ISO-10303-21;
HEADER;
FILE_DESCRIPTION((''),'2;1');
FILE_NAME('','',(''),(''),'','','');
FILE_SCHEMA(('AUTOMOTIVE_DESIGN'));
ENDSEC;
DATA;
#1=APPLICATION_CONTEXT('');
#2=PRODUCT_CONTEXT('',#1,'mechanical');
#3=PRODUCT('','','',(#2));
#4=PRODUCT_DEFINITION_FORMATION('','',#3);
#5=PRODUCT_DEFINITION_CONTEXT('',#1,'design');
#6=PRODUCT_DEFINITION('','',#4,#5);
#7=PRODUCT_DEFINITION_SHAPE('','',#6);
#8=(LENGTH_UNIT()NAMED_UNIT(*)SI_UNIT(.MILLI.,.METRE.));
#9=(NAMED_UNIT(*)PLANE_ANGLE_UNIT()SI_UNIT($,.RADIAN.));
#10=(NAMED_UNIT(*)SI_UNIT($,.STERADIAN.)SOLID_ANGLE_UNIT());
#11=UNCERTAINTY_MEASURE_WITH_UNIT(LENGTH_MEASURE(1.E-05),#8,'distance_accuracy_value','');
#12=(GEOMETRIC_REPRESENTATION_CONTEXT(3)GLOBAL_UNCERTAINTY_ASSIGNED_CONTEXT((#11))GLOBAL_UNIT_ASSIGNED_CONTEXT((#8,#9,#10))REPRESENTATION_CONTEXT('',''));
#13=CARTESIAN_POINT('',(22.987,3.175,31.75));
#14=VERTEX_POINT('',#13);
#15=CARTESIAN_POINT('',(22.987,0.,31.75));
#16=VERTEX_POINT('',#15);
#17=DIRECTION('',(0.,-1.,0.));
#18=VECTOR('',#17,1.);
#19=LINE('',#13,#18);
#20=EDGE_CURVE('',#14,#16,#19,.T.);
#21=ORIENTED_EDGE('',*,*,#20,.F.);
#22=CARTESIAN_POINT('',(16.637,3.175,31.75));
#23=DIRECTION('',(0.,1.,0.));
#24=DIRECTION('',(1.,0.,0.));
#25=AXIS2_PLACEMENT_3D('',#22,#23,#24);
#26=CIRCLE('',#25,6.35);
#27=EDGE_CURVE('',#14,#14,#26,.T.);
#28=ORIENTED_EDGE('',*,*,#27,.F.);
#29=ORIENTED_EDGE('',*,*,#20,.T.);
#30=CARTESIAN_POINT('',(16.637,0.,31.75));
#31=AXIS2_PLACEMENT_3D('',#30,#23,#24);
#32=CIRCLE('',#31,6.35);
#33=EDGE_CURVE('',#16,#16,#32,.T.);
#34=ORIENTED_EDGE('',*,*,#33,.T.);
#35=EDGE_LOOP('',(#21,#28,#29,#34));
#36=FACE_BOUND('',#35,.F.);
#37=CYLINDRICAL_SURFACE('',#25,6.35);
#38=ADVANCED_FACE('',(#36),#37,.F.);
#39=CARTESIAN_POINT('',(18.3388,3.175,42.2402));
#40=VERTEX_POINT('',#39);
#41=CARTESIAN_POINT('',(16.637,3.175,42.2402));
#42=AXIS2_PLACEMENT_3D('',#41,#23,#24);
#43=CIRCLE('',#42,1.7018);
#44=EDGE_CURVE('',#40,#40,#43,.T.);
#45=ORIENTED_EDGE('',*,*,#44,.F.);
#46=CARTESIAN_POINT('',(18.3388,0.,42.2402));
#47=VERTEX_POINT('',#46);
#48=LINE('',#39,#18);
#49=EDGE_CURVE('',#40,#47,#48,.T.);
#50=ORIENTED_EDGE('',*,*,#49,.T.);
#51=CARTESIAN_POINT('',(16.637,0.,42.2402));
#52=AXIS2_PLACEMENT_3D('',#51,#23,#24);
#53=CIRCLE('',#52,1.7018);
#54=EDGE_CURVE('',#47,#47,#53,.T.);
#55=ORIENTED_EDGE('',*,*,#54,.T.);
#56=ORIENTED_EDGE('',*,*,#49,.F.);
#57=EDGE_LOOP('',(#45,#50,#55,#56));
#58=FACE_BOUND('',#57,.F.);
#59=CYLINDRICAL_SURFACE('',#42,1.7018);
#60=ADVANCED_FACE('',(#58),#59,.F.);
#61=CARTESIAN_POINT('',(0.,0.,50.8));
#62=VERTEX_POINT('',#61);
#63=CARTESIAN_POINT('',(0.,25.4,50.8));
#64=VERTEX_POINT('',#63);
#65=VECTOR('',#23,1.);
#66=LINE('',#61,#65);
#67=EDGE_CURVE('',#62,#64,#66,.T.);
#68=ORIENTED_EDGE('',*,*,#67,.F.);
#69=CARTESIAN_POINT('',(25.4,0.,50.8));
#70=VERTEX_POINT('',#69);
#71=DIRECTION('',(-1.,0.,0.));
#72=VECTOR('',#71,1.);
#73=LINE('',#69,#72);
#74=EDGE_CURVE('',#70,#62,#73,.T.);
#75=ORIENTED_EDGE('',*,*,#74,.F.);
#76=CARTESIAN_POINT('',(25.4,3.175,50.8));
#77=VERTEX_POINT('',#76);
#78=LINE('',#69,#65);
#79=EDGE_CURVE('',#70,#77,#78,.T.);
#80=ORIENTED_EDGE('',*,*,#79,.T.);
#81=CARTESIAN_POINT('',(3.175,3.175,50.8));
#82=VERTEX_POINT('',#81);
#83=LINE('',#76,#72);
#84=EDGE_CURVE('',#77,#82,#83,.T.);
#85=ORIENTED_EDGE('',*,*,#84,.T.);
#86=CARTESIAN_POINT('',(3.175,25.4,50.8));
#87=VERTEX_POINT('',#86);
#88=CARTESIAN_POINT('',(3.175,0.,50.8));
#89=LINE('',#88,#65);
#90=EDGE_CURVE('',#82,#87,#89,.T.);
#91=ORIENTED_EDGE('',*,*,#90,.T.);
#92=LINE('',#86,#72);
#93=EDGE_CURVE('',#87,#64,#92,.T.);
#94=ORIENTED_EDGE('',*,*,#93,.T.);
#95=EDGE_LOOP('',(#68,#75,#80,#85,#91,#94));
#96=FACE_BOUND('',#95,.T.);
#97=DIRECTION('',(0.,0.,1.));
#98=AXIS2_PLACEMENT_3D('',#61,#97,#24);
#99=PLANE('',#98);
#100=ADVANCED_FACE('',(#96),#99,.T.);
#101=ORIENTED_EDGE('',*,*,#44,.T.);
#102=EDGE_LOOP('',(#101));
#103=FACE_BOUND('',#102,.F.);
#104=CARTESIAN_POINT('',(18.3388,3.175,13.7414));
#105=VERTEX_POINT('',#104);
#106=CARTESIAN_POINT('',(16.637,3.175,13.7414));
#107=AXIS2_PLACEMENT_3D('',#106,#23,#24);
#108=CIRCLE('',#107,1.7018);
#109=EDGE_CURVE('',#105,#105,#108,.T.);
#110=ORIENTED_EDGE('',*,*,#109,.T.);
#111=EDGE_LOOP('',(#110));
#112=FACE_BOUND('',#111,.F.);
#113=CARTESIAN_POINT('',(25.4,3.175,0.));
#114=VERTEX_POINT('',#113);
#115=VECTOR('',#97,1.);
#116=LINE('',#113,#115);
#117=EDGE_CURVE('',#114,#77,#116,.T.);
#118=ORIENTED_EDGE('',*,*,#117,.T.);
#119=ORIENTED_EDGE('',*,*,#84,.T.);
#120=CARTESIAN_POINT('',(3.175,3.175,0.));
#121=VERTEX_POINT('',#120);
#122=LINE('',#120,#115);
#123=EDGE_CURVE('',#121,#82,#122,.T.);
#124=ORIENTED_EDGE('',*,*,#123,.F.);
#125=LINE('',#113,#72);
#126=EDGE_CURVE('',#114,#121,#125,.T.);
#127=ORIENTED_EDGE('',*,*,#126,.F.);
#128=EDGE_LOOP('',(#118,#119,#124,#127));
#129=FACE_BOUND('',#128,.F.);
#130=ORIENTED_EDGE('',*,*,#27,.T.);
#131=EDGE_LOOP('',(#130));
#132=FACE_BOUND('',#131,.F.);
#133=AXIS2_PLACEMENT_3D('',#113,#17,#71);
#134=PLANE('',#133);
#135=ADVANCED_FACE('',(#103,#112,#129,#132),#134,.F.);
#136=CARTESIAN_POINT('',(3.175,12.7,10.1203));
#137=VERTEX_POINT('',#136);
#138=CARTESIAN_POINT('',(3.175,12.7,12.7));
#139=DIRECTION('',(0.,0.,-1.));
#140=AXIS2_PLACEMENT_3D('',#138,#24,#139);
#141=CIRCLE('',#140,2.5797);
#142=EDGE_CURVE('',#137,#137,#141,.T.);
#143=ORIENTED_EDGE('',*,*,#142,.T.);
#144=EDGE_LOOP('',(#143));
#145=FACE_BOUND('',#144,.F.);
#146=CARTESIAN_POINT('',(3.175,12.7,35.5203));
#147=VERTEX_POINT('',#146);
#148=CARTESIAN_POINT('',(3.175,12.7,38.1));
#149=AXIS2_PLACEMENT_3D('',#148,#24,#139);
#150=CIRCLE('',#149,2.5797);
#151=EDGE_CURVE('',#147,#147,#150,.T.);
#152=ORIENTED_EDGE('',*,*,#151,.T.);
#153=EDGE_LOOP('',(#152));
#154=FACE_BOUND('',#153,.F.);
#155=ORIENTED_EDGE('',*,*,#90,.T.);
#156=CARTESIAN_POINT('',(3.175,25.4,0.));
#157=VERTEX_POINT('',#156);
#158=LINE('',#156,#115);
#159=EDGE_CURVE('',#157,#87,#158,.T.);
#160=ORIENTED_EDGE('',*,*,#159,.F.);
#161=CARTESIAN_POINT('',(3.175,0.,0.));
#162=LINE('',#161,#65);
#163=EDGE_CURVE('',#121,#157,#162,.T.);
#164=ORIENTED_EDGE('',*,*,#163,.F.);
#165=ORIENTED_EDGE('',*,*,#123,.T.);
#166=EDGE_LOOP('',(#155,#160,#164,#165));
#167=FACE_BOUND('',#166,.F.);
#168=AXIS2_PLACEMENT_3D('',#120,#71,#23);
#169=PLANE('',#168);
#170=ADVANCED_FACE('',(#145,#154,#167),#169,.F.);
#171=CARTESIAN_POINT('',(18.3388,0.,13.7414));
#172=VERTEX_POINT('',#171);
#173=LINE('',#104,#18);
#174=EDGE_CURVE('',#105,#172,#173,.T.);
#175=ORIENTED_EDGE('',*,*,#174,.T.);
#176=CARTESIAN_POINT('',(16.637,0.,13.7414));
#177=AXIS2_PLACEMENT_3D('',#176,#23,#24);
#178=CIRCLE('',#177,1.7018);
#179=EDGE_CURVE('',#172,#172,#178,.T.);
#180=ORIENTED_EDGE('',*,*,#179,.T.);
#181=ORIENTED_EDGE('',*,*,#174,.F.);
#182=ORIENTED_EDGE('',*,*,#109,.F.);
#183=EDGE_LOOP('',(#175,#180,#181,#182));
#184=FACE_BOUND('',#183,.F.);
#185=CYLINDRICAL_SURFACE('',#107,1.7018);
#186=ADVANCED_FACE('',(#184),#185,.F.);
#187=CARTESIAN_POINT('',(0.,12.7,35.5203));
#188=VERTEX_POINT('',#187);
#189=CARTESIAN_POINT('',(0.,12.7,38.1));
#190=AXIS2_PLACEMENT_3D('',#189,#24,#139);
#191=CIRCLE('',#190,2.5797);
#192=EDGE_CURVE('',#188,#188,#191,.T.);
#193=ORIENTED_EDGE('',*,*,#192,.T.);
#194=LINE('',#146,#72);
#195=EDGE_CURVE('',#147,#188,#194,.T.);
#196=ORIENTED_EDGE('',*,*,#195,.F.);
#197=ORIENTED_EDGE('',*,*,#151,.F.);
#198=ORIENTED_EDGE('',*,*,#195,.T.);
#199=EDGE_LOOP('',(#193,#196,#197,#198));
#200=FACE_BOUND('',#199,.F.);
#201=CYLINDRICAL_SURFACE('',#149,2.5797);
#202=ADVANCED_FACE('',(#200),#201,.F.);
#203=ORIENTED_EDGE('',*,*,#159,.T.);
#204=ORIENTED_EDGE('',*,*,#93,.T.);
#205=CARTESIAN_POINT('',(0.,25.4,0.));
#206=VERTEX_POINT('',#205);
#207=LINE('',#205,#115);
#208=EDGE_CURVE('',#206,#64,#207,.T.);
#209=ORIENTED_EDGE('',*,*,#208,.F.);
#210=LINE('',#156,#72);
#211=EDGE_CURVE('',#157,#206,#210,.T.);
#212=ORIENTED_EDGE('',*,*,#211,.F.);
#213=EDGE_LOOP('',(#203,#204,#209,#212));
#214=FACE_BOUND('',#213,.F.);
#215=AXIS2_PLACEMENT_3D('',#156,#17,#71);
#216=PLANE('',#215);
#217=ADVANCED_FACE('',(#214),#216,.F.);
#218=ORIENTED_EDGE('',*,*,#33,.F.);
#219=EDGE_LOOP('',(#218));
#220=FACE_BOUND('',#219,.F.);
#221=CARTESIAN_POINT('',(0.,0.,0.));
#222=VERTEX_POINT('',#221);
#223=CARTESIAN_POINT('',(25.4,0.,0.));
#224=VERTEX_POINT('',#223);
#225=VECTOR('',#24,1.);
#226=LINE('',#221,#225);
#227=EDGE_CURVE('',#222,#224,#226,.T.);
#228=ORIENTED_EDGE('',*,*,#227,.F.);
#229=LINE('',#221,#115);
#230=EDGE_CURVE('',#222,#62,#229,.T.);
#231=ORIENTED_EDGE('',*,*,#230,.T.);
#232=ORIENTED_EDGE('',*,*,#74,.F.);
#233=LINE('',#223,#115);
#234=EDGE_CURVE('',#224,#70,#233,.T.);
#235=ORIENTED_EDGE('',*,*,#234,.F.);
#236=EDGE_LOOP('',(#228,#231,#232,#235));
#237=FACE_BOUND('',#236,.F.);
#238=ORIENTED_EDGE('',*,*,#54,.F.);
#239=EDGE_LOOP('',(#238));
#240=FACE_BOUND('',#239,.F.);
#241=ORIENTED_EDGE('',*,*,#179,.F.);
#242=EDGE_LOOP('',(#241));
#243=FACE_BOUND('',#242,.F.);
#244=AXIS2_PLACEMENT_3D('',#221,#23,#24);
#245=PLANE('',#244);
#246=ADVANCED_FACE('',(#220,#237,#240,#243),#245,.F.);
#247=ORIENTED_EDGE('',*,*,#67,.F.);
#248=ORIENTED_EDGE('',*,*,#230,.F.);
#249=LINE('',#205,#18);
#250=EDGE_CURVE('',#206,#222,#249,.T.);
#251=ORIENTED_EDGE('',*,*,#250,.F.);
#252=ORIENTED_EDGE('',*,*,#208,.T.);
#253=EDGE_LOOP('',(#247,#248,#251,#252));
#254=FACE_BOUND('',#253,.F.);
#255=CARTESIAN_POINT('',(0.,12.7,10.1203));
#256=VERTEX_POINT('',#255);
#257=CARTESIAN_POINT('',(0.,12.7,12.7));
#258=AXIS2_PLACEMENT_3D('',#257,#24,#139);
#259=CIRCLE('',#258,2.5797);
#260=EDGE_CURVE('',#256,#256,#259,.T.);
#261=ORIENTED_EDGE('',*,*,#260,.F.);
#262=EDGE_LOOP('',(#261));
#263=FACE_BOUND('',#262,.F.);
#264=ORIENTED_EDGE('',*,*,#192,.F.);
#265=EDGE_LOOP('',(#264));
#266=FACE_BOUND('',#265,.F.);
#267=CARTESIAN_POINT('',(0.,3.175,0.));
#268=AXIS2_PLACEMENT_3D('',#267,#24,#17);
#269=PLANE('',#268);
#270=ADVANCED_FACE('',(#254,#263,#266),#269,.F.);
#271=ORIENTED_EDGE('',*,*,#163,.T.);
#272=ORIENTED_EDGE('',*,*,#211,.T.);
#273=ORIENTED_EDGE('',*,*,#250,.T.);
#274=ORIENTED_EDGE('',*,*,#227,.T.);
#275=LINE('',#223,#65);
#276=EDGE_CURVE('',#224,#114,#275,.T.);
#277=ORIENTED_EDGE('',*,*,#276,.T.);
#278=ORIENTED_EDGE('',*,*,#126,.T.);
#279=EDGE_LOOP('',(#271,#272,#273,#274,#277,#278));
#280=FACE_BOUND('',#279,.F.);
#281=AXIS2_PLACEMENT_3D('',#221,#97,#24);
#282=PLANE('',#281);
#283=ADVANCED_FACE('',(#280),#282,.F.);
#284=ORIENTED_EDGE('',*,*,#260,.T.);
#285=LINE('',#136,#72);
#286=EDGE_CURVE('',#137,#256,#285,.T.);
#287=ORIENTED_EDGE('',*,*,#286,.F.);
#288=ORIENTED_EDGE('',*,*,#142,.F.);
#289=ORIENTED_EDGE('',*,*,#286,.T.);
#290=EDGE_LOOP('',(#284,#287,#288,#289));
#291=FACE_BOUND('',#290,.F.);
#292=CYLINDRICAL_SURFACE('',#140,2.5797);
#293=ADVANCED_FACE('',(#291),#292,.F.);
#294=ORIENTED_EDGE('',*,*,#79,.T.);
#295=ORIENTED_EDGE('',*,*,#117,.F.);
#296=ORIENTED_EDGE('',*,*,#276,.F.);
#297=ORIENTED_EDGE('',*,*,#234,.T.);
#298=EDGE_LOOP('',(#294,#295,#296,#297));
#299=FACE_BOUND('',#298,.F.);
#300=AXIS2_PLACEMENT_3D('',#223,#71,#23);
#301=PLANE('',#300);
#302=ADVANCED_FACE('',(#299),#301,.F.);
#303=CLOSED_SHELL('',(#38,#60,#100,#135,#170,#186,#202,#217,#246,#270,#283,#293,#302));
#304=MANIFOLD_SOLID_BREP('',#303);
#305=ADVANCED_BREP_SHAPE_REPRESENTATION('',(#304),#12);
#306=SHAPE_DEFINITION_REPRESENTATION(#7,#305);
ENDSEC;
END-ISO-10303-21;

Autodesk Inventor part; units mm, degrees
ref_plane "YZ Plane" through (0, 0, 0) normal (1, 0, 0) x (0, 1, 0)
ref_plane "XZ Plane" through (0, 0, 0) normal (0, 1, 0) x (-1, 0, 0)
ref_plane "XY Plane" through (0, 0, 0) normal (0, 0, 1) x (1, 0, 0)
sketch "Sketch1" plane through (0, 0, 0) normal (0, 0, 1) x (1, 0, 0)
  line L0 (0, 0) -> (3.175, 0)
  line L1 (3.175, 0) -> (3.175, 25.4)
  line L2 (3.175, 25.4) -> (0, 25.4)
  line L3 (0, 25.4) -> (0, 0)
  line L4 (0, 0) -> (25.4, 0)
  line L5 (25.4, 0) -> (25.4, 3.175)
  line L6 (25.4, 3.175) -> (0, 3.175)
  line L7 (0, 3.175) -> (0, 0)
  dimension "d0" = 3.175
  dimension "d1" = 25.4
  dimension "d2" = 25.4
  dimension "d3" = 3.175
extrude "Extrusion1" add sketch "Sketch1" along normal blind 50.8
sketch "Sketch2" plane through (3.175, 3.175, 0) normal (0, 1, 0) x (1, 0, 0)
  line L0 (-3.175, -50.8) -> (22.225, -50.8) construction
  line L1 (-3.175, -50.8) -> (13.462, -50.8) construction
  line L2 (13.462, -50.8) -> (13.462, -31.75) construction
  line L3 (13.462, -50.8) -> (32.512, -50.8) construction
  circle A0 centre (13.462, -31.75) radius 6.35
  point P0 (-3.175, 0)
  dimension "d6" = 16.637
  dimension "d7" = 19.05
  dimension "d8" = 90
  dimension "d9" = 12.7
extrude "Extrusion2" cut sketch "Sketch2" against normal blind 50.8
sketch "Sketch3" plane through (3.175, 3.175, 0) normal (0, 1, 0) x (1, 0, 0)
  circle A0 centre (13.462, -31.75) radius 6.35 construction
  line L0 (13.462, -31.75) -> (13.462, -42.2402) construction
  line L1 (13.462, -42.2402) -> (13.462, -13.7414) construction
  circle A1 centre (13.462, -42.2402) radius 1.7018
  circle A2 centre (13.462, -13.7414) radius 1.7018
  point P0 (-3.175, 0)
  dimension "d12" = 10.4902
  dimension "d13" = 28.4988
  dimension "d14" = 3.4036
  dimension "d15" = 3.4036
extrude "Extrusion3" cut sketch "Sketch3" against normal blind 50.8
sketch "Sketch4" plane through (3.175, 3.175, 0) normal (1, 0, 0) x (0, 0, -1)
  line L0 (0, 0) -> (0, 22.225) construction
  line L1 (0, 22.225) -> (-12.7, 22.225) construction
  line L2 (0, 22.225) -> (-50.8, 22.225) construction
  line L3 (-12.7, 22.225) -> (-12.7, 9.525) construction
  line L4 (-12.7, 9.525) -> (-38.1, 9.525) construction
  circle A0 centre (-12.7, 9.525) radius 2.5797
  circle A1 centre (-38.1, 9.525) radius 2.5797
  point P0 (0, -3.175)
  dimension "d18" = 12.7
  dimension "d19" = 12.7
  dimension "d20" = 25.4
  dimension "d21" = 5.1594
extrude "Extrusion4" cut sketch "Sketch4" against normal blind 50.8
properties part number "2in L-Bracket"
